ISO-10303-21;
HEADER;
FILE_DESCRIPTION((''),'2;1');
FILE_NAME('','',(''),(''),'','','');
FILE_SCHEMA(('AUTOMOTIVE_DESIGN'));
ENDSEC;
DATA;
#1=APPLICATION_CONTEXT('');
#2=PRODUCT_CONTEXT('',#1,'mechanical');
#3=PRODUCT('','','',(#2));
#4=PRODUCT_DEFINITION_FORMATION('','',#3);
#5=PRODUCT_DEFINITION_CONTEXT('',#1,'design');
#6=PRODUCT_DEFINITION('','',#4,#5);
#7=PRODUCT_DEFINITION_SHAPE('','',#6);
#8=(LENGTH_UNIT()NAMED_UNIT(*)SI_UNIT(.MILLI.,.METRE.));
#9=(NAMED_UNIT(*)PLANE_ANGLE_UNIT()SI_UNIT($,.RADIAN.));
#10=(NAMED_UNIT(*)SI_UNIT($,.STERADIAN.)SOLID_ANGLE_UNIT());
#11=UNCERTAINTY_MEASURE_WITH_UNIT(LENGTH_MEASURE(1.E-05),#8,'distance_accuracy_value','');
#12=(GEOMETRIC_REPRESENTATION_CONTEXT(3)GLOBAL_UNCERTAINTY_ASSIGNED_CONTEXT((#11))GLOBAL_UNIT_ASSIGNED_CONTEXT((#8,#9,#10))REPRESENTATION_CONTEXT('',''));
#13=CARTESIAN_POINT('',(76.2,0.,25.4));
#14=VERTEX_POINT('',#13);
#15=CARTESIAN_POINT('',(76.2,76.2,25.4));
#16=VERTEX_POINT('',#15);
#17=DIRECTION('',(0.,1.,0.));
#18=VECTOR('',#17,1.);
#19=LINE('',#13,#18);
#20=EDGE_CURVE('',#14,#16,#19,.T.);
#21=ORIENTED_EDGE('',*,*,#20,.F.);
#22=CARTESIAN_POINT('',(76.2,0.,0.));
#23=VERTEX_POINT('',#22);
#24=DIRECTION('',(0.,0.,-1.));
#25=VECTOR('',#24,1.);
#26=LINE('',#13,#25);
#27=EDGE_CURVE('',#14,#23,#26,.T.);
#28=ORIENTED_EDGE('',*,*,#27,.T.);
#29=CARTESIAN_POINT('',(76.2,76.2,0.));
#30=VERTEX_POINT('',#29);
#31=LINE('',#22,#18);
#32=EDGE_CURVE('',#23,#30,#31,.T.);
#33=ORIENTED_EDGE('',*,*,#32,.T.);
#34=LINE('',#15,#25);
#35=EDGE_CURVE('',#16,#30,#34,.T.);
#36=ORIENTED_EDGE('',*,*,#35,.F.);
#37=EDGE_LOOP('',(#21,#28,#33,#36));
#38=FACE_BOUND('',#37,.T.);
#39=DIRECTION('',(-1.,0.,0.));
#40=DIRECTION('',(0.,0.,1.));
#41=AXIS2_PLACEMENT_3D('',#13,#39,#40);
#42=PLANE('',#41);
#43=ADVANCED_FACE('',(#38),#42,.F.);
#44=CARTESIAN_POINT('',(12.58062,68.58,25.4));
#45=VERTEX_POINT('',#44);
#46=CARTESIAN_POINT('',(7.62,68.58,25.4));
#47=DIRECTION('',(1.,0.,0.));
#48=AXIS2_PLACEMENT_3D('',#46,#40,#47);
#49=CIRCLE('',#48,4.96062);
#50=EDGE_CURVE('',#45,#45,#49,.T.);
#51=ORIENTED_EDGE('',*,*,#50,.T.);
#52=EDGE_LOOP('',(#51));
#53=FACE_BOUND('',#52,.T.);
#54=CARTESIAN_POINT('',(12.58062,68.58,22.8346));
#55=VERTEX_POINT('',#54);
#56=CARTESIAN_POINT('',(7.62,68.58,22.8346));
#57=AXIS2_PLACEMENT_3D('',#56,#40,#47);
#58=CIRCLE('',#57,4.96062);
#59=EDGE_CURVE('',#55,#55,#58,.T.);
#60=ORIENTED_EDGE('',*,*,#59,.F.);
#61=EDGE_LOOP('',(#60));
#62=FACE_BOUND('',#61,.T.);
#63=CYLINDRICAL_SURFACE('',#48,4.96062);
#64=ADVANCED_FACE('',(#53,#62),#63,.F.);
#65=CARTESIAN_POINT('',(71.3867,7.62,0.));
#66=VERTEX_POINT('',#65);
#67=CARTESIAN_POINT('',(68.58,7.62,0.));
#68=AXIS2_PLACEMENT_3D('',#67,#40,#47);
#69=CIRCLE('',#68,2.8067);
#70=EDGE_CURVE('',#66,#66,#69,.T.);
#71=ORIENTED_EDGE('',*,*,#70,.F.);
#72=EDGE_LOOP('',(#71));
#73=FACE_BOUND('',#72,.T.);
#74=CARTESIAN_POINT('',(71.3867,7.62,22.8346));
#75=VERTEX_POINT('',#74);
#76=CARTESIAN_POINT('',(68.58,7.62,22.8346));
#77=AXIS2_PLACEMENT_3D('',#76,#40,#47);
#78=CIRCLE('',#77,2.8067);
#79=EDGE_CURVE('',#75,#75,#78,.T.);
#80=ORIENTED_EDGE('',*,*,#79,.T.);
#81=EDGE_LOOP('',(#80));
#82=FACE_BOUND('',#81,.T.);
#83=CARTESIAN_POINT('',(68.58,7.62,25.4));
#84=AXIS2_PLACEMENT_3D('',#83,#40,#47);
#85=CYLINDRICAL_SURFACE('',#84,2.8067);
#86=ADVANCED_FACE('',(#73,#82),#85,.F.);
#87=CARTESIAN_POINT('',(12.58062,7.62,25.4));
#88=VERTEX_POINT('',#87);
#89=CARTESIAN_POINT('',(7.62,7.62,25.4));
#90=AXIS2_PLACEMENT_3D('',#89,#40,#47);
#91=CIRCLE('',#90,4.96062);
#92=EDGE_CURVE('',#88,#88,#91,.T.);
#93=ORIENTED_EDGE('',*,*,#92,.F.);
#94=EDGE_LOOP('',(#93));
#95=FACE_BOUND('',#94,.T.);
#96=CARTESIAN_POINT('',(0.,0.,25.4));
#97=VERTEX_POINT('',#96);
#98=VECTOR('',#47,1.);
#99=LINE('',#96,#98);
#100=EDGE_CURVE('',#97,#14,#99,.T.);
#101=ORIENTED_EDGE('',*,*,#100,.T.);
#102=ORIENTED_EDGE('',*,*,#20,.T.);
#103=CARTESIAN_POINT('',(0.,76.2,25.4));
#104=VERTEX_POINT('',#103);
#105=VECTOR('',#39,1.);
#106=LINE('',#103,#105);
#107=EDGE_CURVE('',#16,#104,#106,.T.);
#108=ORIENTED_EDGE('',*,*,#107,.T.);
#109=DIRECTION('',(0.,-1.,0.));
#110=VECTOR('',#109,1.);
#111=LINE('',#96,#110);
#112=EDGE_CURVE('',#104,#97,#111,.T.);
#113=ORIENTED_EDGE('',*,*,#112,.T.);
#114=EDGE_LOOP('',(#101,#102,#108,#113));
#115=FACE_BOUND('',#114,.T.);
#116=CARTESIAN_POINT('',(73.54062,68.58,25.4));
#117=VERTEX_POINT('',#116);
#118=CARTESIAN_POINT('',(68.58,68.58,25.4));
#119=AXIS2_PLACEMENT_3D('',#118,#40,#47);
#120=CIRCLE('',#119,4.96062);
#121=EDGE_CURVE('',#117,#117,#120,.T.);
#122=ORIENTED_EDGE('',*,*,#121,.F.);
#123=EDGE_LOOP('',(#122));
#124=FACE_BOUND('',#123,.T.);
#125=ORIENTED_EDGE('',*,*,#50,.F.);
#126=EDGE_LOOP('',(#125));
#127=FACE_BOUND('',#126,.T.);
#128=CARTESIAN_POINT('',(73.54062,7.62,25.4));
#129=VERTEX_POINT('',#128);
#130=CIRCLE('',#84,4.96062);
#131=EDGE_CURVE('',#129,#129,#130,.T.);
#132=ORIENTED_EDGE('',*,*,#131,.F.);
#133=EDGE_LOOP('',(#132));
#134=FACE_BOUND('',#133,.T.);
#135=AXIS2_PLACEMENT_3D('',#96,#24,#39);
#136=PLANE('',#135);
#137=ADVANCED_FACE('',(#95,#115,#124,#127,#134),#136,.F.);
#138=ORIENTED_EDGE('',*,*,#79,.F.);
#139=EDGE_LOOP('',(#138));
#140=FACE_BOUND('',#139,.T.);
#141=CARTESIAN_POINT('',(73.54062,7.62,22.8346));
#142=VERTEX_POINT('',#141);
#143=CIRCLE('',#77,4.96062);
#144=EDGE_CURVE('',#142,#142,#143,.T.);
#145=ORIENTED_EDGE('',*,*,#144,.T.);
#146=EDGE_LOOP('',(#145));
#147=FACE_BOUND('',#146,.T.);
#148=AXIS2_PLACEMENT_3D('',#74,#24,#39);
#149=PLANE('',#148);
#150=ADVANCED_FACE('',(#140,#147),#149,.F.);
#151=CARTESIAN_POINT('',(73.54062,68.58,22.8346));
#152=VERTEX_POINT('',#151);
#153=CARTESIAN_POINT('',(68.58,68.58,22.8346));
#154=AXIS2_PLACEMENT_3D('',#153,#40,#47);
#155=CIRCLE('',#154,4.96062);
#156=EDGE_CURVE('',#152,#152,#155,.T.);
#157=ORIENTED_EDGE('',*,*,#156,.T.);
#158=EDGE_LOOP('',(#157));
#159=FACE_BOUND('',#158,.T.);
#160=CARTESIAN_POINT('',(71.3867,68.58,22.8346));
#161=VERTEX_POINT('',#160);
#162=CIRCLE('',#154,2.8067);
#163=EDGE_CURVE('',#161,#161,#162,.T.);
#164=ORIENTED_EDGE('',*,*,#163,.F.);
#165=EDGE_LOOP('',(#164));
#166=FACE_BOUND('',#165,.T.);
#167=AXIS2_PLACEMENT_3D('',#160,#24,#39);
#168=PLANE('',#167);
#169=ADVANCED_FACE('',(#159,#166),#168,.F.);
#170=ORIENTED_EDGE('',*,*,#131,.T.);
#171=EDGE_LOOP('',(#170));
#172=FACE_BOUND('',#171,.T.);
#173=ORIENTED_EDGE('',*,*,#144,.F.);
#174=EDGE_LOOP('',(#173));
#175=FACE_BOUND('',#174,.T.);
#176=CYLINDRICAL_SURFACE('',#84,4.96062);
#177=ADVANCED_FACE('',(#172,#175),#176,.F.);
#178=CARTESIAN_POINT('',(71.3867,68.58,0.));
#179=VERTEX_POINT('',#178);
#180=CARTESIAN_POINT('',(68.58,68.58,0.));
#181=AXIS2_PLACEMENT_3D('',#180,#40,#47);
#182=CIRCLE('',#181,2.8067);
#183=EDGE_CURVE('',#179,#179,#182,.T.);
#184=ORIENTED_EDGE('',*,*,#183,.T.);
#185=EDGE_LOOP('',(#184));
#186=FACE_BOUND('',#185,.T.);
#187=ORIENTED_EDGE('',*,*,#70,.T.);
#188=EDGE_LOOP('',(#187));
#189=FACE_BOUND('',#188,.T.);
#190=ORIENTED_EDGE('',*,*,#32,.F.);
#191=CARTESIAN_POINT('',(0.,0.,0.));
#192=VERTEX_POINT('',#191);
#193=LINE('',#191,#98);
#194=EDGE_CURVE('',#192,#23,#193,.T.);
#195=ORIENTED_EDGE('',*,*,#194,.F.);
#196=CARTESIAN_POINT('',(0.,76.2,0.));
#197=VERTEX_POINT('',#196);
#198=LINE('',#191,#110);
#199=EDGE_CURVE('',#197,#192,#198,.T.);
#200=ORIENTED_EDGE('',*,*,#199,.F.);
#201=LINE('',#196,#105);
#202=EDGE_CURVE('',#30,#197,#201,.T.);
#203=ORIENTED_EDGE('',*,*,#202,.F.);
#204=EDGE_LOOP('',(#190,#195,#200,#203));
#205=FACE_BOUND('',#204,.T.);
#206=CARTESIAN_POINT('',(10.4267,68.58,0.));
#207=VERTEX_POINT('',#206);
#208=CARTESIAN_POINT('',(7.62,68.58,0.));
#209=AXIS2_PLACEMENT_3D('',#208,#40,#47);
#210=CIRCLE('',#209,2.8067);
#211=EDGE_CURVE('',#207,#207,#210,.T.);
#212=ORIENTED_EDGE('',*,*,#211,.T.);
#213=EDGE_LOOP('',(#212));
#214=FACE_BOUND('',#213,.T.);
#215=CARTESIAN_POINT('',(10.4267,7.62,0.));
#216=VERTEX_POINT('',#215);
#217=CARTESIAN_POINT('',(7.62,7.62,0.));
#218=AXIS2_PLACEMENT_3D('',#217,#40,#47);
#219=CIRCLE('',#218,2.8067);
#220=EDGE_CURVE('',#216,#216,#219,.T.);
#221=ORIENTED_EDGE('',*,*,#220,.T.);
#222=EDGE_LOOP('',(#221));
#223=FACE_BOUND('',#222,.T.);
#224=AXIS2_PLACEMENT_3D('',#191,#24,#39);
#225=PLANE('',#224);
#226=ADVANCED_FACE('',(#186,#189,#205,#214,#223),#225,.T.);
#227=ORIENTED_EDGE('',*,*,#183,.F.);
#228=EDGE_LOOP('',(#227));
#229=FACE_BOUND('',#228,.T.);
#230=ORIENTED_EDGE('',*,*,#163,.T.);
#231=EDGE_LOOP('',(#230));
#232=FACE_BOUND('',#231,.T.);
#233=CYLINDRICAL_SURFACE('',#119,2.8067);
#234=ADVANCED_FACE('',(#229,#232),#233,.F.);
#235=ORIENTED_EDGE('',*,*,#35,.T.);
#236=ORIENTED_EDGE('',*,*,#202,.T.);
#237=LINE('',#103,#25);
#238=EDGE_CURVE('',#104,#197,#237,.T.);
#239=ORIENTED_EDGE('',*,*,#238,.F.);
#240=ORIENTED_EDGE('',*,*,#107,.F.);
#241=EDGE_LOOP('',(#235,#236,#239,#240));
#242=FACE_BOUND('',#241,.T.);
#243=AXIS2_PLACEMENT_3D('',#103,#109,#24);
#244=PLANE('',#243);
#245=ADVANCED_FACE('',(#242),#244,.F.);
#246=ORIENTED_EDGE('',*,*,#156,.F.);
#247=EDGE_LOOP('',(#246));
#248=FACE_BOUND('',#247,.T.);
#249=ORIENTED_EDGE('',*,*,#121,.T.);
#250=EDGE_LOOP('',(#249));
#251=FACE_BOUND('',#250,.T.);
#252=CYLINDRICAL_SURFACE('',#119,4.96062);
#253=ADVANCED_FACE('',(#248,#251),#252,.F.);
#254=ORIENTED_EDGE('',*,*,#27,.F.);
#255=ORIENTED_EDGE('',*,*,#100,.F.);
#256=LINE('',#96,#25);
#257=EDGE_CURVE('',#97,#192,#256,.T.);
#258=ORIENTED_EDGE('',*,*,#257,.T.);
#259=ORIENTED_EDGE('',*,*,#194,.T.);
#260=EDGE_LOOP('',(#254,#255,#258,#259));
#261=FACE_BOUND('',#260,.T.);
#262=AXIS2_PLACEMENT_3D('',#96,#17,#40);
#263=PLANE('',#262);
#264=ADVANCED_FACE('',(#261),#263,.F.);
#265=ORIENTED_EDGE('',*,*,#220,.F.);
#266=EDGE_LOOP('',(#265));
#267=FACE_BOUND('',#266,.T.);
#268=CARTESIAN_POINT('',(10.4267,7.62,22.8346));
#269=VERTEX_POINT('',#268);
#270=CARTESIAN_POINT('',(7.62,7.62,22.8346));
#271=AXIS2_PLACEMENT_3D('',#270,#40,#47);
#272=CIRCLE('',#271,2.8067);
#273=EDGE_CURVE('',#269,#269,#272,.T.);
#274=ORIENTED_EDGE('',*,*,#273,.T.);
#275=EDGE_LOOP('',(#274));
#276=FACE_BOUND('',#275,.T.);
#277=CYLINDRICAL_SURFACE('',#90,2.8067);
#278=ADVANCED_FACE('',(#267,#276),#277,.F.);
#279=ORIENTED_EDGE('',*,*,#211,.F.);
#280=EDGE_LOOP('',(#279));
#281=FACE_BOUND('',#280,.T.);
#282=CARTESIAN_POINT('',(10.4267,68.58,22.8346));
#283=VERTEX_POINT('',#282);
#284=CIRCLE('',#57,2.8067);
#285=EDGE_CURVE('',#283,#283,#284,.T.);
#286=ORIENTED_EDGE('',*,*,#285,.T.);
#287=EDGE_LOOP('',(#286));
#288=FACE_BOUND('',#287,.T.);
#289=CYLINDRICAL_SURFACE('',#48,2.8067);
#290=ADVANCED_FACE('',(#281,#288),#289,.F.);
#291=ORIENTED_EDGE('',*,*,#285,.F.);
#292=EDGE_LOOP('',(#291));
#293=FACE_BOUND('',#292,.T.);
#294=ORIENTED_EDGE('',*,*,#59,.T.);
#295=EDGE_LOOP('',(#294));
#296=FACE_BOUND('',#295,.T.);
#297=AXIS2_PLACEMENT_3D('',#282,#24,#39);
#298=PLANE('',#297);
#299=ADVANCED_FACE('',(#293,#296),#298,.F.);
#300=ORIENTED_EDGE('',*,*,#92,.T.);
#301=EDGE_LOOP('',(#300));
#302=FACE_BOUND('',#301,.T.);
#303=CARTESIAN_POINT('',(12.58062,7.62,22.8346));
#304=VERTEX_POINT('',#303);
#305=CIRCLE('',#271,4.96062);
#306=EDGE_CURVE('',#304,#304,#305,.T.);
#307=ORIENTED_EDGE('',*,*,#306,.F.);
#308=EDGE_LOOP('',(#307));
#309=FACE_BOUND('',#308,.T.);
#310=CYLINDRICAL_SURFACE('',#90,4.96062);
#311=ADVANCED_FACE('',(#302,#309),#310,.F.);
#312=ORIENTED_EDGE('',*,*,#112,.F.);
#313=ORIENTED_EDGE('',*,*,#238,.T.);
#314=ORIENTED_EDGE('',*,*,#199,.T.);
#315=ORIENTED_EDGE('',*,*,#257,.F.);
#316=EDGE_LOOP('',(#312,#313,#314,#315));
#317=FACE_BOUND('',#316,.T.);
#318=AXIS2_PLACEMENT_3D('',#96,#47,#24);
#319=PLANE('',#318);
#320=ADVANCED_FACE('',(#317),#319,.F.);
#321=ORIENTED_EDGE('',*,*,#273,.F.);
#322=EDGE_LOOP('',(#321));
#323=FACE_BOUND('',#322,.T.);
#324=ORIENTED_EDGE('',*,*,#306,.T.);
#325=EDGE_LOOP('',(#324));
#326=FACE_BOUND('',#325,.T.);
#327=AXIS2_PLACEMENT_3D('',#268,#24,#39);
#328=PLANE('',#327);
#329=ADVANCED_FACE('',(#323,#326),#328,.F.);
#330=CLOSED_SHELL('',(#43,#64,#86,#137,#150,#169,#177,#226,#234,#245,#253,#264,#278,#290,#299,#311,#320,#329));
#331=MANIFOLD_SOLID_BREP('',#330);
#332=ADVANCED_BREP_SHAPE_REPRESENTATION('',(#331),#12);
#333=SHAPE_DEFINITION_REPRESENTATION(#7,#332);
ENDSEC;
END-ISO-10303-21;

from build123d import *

# Parameters (mm, degrees)
SKETCH2_W                                       = 76.2
SKETCH2_H                                       = 76.2
BOSS_EXTRUDE1_DEPTH                             = 25.4
CBORE_FOR_10_BUTTON_HEAD_CAP_SCREW1_D           = 5.6134
CBORE_FOR_10_BUTTON_HEAD_CAP_SCREW1_CBORE_D     = 9.92124
CBORE_FOR_10_BUTTON_HEAD_CAP_SCREW1_CBORE_DEPTH = 2.5654


with BuildPart() as part:
    # Sketch2 → Boss-Extrude1 (new body)
    with BuildSketch(Plane.XY):
        with Locations((38.1, 38.1)):
            Rectangle(SKETCH2_W, SKETCH2_H)
    extrude(amount=BOSS_EXTRUDE1_DEPTH)

    # CBORE for #10 Button Head Cap Screw1 (through all)
    with Locations(Plane.XY.offset(25.4)):
        with Locations((7.62, 68.58), (68.58, 68.58), (68.58, 7.62), (7.62, 7.62)):
            CounterBoreHole(CBORE_FOR_10_BUTTON_HEAD_CAP_SCREW1_D / 2, CBORE_FOR_10_BUTTON_HEAD_CAP_SCREW1_CBORE_D / 2, CBORE_FOR_10_BUTTON_HEAD_CAP_SCREW1_CBORE_DEPTH)


solid = part.part
